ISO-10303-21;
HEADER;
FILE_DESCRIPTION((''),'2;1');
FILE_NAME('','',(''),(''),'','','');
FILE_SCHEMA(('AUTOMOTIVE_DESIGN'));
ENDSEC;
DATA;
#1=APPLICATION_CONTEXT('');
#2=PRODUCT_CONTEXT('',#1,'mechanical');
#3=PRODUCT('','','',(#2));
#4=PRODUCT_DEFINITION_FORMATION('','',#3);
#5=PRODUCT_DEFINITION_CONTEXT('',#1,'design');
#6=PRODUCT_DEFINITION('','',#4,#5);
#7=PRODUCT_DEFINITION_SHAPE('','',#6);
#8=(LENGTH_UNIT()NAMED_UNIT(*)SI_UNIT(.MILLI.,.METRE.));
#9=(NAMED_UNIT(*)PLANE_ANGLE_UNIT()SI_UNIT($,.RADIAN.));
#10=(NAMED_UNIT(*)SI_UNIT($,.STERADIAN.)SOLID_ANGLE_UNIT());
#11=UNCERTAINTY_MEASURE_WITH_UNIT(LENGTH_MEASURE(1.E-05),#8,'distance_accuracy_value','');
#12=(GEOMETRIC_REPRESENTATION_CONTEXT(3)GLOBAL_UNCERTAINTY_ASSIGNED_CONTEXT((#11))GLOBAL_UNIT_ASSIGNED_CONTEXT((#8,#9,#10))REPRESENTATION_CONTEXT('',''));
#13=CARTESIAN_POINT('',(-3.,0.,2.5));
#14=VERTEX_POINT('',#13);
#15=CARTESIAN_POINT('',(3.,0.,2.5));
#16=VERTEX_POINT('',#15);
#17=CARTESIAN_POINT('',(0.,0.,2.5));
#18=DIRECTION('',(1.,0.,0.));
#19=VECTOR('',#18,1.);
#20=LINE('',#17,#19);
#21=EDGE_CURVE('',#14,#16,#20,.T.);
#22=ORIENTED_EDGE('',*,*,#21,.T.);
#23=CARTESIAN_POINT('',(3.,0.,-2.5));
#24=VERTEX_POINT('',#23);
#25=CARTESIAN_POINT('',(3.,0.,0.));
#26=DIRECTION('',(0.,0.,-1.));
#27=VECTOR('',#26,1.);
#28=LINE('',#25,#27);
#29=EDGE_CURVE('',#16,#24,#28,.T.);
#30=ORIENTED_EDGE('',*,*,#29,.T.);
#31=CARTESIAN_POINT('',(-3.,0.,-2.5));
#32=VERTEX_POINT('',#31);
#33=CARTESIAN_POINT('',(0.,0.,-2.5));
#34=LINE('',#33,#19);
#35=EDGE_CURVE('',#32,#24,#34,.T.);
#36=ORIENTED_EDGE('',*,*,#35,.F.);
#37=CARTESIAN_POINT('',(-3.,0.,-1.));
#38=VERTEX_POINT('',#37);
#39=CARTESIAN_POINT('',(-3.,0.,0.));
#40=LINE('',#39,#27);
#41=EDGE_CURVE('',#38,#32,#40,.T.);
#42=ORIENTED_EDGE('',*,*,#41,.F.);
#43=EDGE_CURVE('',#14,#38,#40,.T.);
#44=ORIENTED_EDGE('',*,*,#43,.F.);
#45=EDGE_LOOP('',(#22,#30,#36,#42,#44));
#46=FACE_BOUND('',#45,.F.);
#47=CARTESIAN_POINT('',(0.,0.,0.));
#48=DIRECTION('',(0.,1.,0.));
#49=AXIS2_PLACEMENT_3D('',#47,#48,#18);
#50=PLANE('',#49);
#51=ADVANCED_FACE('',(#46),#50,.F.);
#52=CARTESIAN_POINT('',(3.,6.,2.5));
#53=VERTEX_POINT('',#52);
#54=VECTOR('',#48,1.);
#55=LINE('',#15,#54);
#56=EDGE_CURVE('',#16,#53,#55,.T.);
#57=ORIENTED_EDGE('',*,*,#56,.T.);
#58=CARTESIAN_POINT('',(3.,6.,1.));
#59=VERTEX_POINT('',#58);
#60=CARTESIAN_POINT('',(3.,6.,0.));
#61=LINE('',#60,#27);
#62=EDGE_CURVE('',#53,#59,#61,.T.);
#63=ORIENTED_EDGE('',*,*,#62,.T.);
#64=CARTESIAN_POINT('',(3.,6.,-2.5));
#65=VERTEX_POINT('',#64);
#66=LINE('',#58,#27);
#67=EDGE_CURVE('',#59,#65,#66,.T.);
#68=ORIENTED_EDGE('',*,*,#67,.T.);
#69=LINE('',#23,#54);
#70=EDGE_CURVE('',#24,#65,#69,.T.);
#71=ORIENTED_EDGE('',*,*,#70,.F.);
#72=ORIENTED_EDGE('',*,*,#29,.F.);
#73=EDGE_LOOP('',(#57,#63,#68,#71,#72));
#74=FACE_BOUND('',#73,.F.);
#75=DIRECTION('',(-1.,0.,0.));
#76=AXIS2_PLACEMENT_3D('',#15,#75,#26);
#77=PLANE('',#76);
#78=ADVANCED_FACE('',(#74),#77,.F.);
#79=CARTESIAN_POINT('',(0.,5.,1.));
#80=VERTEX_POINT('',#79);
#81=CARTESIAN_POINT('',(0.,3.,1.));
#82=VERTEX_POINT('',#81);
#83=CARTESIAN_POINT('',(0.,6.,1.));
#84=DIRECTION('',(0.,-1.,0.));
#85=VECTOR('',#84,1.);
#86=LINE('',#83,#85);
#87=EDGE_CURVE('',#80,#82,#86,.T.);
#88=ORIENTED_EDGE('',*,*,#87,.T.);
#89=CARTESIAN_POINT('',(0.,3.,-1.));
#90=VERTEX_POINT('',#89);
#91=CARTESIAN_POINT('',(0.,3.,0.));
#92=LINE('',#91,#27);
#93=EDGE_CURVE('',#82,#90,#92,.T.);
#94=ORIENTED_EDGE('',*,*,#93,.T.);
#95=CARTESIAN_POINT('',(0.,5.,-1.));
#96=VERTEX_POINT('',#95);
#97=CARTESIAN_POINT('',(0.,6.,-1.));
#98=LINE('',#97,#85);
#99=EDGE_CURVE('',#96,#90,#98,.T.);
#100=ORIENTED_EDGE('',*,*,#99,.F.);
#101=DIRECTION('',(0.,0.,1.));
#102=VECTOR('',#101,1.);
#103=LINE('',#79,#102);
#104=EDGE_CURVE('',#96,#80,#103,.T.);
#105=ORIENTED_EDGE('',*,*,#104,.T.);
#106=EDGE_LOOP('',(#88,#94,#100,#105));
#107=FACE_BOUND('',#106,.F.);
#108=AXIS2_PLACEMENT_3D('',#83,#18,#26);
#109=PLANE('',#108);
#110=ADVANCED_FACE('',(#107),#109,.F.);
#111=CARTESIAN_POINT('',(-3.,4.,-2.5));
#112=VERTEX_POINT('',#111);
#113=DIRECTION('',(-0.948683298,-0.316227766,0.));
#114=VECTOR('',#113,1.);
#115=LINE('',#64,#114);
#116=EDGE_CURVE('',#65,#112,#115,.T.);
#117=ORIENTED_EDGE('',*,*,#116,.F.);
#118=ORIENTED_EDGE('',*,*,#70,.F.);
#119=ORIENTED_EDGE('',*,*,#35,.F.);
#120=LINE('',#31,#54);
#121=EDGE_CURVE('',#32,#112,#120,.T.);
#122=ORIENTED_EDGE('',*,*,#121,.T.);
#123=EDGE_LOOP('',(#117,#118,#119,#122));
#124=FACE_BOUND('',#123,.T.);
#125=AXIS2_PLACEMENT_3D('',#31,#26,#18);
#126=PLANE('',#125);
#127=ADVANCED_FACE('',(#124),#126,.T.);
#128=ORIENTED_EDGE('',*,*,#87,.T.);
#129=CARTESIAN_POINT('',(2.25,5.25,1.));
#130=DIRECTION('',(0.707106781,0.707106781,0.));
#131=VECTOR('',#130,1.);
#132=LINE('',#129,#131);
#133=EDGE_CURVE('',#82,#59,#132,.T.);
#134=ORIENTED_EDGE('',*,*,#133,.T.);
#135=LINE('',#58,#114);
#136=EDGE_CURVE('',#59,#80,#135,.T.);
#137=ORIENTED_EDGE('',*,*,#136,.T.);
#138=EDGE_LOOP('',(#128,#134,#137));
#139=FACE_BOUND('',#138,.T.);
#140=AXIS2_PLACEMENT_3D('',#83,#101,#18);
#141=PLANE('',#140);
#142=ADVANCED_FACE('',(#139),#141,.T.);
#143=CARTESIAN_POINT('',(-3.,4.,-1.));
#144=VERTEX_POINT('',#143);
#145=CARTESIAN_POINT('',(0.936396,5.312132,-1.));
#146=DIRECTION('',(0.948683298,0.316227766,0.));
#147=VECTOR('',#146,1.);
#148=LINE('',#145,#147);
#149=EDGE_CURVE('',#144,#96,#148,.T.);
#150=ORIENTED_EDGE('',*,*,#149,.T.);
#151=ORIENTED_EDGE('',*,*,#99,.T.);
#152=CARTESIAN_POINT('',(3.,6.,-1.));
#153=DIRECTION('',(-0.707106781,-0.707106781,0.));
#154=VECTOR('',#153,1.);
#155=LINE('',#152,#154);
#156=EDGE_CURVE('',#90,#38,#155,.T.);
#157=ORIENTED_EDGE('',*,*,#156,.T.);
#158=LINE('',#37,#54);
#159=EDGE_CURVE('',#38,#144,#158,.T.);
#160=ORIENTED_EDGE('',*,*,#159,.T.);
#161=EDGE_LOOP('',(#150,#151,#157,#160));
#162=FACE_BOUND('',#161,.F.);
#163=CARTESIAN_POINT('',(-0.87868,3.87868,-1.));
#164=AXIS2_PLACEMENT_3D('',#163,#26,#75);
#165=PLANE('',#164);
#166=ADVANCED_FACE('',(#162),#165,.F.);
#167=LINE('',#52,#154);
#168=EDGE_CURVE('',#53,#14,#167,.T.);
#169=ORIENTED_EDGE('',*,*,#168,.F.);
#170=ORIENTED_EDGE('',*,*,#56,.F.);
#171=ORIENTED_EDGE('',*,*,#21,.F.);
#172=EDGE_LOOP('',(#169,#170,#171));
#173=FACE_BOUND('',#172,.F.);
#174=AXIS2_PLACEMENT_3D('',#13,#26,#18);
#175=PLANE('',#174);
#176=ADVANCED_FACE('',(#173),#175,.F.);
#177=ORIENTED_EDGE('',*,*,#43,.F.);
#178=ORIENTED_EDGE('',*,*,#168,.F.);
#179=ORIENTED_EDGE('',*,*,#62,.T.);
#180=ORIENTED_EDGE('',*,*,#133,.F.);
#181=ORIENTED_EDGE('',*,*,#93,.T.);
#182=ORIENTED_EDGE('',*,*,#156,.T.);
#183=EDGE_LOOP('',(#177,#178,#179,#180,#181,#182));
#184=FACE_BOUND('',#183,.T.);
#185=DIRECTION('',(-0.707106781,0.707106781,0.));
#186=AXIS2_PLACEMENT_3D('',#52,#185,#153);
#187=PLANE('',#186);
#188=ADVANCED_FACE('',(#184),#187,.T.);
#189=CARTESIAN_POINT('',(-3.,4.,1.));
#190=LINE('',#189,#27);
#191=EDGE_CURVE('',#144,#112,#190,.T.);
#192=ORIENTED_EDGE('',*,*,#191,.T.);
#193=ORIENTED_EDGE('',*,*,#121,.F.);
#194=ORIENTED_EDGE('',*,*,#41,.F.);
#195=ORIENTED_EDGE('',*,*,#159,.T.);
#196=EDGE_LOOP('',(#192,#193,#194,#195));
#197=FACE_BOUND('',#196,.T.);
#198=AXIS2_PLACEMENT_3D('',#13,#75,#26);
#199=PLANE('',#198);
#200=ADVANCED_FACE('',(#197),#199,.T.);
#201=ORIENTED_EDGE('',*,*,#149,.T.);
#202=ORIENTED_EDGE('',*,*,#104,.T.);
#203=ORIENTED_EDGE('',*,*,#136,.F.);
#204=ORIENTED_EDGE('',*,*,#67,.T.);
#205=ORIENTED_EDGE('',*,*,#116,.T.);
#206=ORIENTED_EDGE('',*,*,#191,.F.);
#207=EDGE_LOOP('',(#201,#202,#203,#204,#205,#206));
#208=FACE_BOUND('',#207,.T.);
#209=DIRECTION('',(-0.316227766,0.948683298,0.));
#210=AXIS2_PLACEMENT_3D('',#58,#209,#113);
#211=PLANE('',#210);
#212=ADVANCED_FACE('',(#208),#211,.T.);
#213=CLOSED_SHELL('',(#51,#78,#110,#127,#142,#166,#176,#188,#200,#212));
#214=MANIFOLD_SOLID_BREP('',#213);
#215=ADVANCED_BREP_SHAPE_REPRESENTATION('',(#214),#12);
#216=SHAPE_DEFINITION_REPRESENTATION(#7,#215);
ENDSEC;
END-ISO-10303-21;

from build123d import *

# Parameters (mm, degrees)
SKETCH1_W           = 6
SKETCH1_H           = 5
BOSS_EXTRUDE1_DEPTH = 6
CUT_EXTRUDE1_DEPTH  = 3.5
SKETCH3_W           = 3
SKETCH3_H           = 2
BOSS_EXTRUDE2_DEPTH = 3
CUT_EXTRUDE2_DEPTH  = 3.5


with BuildPart() as part:
    # Sketch1 → Boss-Extrude1 (new body)
    with BuildSketch(Plane(origin=(0, 0, 0), x_dir=(1, 0, 0), z_dir=(0, 1, 0))):
        Rectangle(SKETCH1_W, SKETCH1_H)
    extrude(amount=BOSS_EXTRUDE1_DEPTH)

    # Sketch2 → Cut-Extrude1 (cut)
    with BuildSketch(Plane.XY.offset(2.5)):
        Polygon((3, 6), (-3, 0), (-3, 6), align=None)
    extrude(amount=-CUT_EXTRUDE1_DEPTH, mode=Mode.SUBTRACT)

    # Sketch3 → Boss-Extrude2 (add)
    with BuildSketch(Plane(origin=(0, 6, 0), x_dir=(1, 0, 0), z_dir=(0, 1, 0))):
        with Locations((1.5, 0)):
            Rectangle(SKETCH3_W, SKETCH3_H)
    extrude(amount=-BOSS_EXTRUDE2_DEPTH)

    # Sketch4 → Cut-Extrude2 (cut)
    with BuildSketch(Plane.XY.offset(1)):
        Polygon((3, 6), (-3, 4), (-3, 6), align=None)
    extrude(amount=-CUT_EXTRUDE2_DEPTH, mode=Mode.SUBTRACT)


solid = part.part
